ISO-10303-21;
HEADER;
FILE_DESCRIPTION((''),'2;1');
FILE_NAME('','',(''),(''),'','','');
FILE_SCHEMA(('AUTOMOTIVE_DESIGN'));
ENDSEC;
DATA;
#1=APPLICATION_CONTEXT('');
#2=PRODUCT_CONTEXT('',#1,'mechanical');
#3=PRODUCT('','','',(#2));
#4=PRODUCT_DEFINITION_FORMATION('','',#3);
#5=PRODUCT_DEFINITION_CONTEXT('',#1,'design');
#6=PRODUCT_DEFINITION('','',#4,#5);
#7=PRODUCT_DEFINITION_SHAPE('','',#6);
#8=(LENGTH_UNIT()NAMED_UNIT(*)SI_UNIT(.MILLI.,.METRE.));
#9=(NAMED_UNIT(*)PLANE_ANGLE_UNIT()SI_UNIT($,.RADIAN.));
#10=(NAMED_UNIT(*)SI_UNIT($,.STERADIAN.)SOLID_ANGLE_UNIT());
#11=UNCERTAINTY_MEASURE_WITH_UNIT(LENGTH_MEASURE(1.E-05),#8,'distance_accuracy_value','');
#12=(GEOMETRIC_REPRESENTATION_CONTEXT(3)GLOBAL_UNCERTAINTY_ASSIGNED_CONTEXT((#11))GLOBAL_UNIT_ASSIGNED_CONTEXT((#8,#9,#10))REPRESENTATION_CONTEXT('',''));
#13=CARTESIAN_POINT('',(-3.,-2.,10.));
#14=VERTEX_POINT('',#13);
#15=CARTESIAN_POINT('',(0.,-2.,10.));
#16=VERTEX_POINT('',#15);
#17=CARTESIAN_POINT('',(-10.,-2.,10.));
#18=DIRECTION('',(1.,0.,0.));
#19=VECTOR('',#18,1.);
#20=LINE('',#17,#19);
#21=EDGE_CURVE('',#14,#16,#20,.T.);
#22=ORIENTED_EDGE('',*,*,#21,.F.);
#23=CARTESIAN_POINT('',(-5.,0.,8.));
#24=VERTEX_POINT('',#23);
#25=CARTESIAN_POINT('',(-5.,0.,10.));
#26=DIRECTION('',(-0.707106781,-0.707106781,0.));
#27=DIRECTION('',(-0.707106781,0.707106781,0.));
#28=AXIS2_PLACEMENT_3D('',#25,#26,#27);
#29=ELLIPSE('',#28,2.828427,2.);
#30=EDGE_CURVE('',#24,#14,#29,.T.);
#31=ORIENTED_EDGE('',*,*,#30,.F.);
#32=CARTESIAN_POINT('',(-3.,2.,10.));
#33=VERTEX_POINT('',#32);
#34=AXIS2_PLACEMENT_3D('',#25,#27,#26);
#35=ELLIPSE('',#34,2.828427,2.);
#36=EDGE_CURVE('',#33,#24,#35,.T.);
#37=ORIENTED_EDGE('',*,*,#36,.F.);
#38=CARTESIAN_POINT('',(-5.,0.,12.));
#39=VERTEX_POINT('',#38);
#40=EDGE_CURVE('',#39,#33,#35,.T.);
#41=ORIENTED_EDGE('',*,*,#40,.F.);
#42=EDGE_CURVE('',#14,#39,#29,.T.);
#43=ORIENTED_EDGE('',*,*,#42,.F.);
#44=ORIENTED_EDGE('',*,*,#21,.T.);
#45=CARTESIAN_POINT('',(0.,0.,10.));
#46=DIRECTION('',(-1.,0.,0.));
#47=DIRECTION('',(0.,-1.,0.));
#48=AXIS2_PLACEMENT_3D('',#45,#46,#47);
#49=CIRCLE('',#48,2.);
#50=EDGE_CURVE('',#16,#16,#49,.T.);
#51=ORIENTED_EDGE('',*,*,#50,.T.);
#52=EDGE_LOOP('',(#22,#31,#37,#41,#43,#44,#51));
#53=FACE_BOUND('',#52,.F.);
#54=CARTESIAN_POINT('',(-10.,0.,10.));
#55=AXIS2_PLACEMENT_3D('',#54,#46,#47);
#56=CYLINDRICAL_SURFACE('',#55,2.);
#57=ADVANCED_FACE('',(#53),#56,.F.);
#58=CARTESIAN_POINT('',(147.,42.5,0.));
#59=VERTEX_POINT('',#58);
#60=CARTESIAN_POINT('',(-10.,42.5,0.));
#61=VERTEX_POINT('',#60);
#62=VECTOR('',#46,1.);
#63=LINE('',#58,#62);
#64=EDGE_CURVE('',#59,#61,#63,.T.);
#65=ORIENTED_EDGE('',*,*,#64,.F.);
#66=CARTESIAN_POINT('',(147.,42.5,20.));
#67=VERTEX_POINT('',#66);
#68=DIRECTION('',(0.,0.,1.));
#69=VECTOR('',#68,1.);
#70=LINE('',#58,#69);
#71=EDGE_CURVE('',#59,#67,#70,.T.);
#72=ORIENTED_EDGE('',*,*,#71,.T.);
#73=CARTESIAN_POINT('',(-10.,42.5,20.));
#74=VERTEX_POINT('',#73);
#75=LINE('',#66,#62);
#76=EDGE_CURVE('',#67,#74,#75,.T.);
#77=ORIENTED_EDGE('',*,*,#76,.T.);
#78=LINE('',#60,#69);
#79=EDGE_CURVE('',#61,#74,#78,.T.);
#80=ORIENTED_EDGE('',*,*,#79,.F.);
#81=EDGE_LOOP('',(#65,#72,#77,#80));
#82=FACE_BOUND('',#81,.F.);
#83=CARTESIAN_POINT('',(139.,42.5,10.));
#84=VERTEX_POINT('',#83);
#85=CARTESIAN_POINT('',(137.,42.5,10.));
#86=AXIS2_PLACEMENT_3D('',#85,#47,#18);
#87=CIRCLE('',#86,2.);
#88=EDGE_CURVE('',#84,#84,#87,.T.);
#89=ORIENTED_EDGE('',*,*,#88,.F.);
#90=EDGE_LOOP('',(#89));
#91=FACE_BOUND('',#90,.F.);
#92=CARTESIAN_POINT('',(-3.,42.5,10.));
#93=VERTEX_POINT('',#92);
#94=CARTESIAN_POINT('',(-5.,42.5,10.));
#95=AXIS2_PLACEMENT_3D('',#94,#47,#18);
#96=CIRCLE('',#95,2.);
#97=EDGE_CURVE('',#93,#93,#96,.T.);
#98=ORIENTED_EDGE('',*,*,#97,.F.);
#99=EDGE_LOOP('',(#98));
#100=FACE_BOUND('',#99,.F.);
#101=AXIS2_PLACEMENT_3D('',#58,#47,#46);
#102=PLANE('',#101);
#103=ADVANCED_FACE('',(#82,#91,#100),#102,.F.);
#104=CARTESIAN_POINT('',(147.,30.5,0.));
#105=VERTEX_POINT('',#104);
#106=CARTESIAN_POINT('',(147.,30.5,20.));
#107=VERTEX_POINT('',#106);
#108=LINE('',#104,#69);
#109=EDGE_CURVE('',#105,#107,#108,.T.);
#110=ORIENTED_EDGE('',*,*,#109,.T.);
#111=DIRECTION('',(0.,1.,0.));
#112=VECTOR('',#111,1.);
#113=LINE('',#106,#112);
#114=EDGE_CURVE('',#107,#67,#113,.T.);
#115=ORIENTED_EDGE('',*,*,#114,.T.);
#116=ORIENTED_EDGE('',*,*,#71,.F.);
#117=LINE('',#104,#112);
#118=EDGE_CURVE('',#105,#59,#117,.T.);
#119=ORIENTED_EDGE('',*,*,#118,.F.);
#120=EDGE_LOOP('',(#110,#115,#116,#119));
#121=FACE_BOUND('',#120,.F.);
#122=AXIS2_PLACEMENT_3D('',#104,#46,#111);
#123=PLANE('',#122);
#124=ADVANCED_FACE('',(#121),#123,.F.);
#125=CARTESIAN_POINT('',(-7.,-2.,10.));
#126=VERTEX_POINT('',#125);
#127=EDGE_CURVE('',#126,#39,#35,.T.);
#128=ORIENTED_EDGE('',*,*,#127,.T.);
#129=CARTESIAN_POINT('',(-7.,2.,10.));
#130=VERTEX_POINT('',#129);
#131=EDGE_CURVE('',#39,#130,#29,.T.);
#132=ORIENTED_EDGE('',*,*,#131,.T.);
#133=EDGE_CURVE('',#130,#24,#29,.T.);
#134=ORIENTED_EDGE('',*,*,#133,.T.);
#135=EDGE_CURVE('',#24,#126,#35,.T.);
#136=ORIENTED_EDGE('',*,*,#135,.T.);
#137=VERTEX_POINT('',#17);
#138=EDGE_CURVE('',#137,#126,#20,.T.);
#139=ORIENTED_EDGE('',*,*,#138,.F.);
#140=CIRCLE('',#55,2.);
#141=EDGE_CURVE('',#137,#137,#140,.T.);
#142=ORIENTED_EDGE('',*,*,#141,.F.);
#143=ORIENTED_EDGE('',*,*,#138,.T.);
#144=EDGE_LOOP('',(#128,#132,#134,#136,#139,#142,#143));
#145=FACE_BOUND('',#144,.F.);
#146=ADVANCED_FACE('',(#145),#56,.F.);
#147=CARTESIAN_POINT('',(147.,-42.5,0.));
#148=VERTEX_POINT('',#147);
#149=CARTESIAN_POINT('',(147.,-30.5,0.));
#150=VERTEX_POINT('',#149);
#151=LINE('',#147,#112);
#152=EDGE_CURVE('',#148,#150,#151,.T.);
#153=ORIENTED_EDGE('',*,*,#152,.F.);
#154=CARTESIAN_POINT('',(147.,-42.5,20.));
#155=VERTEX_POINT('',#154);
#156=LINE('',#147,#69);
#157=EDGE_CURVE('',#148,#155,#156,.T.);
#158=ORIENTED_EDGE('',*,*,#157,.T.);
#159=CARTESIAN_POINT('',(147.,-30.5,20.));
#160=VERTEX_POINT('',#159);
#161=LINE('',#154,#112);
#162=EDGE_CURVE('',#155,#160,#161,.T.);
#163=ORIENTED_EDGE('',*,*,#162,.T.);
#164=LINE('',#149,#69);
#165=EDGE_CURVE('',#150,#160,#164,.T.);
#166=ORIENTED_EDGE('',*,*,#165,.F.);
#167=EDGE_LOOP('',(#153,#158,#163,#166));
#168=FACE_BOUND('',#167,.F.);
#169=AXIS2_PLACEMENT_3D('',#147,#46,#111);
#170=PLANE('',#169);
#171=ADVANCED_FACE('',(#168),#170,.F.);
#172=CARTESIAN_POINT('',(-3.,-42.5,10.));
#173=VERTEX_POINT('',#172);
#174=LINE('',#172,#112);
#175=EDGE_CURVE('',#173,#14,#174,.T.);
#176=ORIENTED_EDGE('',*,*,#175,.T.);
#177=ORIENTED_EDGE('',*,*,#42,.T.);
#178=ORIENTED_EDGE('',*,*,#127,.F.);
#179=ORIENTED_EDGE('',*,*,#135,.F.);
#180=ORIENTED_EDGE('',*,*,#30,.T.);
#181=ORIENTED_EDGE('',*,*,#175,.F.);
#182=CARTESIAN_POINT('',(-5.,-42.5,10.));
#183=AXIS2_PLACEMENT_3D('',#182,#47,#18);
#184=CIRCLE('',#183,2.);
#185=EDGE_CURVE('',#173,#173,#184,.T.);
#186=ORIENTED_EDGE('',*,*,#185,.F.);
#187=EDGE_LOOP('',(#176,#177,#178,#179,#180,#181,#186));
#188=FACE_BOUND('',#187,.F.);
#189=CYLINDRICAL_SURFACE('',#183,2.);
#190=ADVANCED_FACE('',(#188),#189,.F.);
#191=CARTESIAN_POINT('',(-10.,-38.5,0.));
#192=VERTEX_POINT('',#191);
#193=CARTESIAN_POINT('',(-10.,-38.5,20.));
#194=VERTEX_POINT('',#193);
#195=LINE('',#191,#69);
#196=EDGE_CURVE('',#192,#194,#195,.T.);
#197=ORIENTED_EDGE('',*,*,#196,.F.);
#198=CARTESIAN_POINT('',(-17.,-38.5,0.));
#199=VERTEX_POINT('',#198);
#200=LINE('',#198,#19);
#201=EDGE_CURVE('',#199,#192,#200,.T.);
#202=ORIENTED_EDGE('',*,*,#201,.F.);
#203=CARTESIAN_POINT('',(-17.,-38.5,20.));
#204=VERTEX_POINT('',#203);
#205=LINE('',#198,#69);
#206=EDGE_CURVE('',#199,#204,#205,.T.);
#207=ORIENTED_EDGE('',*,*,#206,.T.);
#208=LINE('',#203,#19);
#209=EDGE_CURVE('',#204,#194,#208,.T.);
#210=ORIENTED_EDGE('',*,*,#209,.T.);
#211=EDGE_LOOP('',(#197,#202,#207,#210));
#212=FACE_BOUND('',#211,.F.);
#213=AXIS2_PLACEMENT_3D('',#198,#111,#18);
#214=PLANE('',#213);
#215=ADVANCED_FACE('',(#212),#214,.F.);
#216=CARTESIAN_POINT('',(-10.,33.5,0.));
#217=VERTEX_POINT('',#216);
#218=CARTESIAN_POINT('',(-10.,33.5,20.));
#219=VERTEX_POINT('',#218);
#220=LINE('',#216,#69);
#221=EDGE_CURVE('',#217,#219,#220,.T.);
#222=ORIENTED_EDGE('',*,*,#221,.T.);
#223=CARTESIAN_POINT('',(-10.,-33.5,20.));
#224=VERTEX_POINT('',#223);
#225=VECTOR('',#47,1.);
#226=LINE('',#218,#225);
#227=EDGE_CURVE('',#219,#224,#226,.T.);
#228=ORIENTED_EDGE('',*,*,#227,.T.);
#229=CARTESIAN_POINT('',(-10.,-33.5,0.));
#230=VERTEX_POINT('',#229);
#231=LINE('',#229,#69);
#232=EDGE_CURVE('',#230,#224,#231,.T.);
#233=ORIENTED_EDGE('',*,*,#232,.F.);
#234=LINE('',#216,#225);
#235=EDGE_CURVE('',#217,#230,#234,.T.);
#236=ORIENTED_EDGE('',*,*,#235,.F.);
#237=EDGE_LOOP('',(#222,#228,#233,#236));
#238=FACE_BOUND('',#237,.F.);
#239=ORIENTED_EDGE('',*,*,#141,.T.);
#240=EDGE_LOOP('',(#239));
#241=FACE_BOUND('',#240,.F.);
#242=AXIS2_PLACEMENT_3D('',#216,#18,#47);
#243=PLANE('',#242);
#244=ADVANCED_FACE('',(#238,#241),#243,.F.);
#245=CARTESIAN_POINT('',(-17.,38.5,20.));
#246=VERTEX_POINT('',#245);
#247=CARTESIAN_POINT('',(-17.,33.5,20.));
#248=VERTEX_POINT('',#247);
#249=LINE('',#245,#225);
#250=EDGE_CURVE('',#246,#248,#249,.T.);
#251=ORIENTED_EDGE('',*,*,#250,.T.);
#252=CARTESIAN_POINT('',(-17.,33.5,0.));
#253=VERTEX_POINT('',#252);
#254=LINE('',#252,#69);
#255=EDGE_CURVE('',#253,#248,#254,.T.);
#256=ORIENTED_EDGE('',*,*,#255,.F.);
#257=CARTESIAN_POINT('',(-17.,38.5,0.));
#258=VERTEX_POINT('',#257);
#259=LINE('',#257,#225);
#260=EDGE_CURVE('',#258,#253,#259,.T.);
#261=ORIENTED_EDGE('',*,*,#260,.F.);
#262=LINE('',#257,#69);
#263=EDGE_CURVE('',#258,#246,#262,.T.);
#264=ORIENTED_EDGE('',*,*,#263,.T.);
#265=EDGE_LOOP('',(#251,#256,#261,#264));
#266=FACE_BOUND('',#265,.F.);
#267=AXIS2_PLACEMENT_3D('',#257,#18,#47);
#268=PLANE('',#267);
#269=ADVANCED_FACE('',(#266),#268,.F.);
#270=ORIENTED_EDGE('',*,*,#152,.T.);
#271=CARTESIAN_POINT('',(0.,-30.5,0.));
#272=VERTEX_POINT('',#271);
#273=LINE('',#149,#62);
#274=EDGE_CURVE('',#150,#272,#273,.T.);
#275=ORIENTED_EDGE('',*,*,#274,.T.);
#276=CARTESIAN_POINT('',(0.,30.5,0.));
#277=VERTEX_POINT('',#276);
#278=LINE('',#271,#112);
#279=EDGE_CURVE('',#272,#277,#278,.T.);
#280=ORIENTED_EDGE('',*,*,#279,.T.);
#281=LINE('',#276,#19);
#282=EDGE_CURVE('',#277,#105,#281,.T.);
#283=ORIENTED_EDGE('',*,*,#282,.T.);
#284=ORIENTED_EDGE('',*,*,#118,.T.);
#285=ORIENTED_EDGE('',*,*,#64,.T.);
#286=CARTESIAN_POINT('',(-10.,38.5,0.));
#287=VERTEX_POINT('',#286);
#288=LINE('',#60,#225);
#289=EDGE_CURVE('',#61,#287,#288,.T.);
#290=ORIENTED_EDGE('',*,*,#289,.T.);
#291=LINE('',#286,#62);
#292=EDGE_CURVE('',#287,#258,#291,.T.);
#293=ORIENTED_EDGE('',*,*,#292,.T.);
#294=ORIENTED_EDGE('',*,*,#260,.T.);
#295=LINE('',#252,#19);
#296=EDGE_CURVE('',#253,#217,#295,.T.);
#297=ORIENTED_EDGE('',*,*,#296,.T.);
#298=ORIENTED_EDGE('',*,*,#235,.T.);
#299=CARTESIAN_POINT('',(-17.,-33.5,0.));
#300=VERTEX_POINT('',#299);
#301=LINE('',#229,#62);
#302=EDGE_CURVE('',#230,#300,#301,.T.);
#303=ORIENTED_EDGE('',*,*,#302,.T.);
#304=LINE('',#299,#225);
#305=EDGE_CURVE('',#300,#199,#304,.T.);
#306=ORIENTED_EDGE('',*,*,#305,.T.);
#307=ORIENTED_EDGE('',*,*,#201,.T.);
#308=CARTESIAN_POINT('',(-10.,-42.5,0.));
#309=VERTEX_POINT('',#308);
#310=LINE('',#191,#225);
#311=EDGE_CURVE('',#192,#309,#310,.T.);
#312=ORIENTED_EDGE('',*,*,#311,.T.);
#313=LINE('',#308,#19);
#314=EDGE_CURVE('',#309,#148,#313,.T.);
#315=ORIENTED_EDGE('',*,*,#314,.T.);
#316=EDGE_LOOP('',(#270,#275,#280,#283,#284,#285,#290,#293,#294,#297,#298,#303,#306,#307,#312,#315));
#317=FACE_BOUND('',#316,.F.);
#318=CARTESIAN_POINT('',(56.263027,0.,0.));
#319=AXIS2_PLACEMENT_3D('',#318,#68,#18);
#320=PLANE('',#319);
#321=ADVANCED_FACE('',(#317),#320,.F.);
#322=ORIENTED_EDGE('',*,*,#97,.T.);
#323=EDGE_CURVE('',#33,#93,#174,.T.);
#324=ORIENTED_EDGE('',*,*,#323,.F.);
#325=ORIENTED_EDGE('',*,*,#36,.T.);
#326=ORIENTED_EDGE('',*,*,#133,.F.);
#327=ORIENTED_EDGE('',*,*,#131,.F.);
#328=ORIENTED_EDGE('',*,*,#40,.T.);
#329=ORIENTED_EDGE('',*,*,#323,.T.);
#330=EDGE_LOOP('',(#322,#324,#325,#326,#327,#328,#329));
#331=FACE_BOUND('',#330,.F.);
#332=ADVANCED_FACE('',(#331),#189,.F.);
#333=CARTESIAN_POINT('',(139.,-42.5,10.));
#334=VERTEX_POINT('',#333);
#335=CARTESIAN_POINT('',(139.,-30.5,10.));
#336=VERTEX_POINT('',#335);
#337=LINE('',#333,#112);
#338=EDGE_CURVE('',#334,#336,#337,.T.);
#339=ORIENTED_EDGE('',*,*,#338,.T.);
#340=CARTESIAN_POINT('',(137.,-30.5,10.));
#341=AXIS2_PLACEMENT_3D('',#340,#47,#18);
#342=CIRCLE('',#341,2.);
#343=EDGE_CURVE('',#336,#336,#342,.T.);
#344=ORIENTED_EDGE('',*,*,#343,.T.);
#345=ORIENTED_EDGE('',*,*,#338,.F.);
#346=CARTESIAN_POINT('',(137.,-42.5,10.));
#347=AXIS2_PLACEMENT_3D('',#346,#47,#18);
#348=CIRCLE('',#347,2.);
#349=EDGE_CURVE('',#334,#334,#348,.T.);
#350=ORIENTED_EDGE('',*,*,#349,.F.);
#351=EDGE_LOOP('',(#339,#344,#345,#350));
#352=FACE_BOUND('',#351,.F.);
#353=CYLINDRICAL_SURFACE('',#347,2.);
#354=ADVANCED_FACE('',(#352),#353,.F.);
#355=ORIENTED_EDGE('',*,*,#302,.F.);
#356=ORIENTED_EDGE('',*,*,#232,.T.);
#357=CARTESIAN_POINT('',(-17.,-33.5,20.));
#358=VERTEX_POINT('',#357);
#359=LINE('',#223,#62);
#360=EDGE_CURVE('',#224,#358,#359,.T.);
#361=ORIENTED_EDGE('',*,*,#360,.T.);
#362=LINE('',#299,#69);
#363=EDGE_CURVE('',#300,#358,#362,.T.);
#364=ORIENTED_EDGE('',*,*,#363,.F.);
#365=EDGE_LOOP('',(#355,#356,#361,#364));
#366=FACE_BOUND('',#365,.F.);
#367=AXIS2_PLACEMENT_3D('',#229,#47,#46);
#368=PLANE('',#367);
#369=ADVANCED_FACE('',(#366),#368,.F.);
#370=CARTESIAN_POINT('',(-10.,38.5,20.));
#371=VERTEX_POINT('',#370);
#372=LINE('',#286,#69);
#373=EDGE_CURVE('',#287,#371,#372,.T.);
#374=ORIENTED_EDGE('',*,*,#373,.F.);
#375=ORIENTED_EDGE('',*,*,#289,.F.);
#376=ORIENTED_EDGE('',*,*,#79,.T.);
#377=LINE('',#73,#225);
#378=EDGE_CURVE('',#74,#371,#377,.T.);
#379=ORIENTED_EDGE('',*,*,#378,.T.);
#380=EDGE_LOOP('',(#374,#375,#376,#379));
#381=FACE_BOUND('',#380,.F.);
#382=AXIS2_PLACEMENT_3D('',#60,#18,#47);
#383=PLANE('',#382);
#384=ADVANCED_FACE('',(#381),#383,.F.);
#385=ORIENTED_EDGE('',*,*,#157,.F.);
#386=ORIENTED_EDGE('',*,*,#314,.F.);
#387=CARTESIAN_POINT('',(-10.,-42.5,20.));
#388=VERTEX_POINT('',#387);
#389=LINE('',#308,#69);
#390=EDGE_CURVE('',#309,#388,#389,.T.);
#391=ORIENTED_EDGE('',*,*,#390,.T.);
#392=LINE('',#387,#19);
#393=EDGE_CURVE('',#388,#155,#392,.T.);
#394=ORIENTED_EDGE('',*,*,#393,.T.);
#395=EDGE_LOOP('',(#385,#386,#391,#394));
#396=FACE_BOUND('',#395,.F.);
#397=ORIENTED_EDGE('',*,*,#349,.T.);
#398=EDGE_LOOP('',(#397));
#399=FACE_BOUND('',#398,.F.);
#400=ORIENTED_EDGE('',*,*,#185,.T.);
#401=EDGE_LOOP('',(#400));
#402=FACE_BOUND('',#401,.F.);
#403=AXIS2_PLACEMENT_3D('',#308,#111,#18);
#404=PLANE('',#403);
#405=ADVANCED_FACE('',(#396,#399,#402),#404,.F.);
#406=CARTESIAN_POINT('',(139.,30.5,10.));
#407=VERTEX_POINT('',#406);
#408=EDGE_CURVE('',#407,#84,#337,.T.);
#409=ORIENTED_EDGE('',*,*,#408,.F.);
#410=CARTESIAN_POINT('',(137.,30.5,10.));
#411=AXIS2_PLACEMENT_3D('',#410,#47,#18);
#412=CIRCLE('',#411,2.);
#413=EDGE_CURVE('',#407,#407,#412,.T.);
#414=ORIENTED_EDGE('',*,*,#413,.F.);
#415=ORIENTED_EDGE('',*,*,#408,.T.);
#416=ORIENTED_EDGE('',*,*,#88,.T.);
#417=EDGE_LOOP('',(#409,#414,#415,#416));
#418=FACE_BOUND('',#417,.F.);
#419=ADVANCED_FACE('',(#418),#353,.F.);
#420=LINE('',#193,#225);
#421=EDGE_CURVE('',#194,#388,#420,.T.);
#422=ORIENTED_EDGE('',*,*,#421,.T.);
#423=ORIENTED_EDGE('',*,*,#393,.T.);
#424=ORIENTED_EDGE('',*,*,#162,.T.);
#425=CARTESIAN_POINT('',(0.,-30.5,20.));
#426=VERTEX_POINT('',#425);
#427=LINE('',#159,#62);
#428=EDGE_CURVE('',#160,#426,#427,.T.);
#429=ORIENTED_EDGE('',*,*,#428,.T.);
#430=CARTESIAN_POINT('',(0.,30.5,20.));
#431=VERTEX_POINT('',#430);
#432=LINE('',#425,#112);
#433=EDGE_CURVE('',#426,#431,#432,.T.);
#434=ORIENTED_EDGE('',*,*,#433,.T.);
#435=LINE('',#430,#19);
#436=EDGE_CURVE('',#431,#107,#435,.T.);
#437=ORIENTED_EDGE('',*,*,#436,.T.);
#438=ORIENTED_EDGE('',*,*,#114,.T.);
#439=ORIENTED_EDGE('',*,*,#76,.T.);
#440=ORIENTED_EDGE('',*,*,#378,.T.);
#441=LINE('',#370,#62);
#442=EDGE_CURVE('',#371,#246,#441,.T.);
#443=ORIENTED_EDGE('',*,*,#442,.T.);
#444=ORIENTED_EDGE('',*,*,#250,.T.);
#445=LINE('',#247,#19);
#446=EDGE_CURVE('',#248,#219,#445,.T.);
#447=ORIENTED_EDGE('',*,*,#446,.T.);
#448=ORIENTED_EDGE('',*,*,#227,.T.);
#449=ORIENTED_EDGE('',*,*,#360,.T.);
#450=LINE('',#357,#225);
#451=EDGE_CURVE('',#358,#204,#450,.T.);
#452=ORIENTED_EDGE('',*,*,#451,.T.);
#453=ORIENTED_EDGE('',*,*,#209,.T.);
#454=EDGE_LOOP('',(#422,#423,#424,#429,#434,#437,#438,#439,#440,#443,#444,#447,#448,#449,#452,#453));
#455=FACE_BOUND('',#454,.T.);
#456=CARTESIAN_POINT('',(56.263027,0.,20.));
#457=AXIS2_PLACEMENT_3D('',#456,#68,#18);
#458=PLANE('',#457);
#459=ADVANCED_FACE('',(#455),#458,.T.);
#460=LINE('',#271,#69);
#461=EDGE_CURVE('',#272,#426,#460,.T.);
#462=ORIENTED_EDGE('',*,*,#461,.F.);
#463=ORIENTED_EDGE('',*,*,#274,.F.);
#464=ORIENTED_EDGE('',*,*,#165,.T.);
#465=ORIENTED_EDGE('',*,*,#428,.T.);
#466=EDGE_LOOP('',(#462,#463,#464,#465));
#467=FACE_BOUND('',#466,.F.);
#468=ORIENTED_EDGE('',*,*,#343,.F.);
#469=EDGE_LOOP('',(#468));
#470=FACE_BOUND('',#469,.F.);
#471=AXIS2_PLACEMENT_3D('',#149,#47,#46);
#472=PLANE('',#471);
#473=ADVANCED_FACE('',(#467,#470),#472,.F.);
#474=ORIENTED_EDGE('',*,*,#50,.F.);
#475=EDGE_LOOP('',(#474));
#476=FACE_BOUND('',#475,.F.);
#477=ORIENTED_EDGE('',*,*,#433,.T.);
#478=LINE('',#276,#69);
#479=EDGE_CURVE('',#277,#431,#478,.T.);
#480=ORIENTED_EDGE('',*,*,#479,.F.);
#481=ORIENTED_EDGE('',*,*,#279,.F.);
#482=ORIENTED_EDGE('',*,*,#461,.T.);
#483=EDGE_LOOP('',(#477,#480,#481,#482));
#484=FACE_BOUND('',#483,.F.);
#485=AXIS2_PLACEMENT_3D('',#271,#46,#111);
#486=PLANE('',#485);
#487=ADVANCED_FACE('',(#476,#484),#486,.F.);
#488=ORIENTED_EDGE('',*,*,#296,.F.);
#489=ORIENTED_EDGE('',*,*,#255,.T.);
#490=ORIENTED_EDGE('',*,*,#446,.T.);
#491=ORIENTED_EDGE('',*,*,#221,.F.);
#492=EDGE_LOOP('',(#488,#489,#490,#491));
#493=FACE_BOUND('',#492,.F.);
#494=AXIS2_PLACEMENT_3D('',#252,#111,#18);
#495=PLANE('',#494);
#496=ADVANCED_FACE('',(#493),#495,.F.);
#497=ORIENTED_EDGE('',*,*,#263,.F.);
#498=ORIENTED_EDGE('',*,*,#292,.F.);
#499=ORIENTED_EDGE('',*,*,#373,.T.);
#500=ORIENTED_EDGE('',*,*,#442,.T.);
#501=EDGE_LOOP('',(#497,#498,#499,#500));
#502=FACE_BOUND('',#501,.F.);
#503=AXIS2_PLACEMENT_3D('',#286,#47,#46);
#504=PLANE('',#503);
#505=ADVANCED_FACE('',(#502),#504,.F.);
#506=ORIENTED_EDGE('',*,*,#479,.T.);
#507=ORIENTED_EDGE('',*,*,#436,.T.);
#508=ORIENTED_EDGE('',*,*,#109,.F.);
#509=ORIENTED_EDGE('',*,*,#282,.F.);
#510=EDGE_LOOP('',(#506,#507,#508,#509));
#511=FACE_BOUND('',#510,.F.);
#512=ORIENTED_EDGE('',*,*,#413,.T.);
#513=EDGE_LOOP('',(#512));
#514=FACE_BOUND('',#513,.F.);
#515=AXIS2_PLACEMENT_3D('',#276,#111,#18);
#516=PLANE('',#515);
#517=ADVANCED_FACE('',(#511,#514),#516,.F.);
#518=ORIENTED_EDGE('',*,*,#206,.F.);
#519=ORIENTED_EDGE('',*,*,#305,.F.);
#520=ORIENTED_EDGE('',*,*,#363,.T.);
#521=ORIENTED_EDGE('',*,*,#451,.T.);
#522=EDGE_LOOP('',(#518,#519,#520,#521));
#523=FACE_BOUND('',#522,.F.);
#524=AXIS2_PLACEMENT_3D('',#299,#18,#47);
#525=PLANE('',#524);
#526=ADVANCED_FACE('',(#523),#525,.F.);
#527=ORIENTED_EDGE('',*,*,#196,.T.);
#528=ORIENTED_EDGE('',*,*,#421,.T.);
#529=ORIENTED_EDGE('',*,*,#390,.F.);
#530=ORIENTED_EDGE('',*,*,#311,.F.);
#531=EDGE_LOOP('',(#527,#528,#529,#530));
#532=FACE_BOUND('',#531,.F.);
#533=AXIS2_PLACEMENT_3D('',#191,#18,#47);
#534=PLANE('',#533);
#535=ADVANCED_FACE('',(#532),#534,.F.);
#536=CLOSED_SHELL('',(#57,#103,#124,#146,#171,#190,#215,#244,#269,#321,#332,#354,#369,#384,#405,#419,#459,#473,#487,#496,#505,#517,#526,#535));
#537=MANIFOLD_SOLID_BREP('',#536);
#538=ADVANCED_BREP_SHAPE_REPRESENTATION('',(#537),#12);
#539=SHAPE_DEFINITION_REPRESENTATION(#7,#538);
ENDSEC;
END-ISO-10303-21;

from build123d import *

# Parameters (mm, degrees)
PAD_DEPTH       = 20
SKETCH004_R     = 2
POCKET002_DEPTH = 157.001
SKETCH005_R     = 2
POCKET003_DEPTH = 85.001


with BuildPart() as part:
    # Sketch → Pad (new body)
    with BuildSketch(Plane.XY):
        Polygon((-10, -42.5), (147, -42.5), (147, -30.5), (0, -30.5), (0, 30.5), (147, 30.5), (147, 42.5), (-10, 42.5), (-10, 38.5), (-17, 38.5), (-17, 33.5), (-10, 33.5), (-10, -33.5), (-17, -33.5), (-17, -38.5), (-10, -38.5), align=None)
    extrude(amount=PAD_DEPTH)

    # Sketch004 → Pocket002 (cut, through all)
    with BuildSketch(Plane(origin=(-10, 0, 0), x_dir=(0, -1, 0), z_dir=(-1, 0, 0))):
        with Locations((0, 10)):
            Circle(SKETCH004_R)
    extrude(amount=-POCKET002_DEPTH, mode=Mode.SUBTRACT)

    # Sketch005 → Pocket003 (cut, through all)
    with BuildSketch(Plane.XZ.offset(42.5)):
        with Locations((-5, 10)):
            Circle(SKETCH005_R)
        with Locations((137, 10)):
            Circle(SKETCH005_R)
    extrude(amount=-POCKET003_DEPTH, mode=Mode.SUBTRACT)


solid = part.part
